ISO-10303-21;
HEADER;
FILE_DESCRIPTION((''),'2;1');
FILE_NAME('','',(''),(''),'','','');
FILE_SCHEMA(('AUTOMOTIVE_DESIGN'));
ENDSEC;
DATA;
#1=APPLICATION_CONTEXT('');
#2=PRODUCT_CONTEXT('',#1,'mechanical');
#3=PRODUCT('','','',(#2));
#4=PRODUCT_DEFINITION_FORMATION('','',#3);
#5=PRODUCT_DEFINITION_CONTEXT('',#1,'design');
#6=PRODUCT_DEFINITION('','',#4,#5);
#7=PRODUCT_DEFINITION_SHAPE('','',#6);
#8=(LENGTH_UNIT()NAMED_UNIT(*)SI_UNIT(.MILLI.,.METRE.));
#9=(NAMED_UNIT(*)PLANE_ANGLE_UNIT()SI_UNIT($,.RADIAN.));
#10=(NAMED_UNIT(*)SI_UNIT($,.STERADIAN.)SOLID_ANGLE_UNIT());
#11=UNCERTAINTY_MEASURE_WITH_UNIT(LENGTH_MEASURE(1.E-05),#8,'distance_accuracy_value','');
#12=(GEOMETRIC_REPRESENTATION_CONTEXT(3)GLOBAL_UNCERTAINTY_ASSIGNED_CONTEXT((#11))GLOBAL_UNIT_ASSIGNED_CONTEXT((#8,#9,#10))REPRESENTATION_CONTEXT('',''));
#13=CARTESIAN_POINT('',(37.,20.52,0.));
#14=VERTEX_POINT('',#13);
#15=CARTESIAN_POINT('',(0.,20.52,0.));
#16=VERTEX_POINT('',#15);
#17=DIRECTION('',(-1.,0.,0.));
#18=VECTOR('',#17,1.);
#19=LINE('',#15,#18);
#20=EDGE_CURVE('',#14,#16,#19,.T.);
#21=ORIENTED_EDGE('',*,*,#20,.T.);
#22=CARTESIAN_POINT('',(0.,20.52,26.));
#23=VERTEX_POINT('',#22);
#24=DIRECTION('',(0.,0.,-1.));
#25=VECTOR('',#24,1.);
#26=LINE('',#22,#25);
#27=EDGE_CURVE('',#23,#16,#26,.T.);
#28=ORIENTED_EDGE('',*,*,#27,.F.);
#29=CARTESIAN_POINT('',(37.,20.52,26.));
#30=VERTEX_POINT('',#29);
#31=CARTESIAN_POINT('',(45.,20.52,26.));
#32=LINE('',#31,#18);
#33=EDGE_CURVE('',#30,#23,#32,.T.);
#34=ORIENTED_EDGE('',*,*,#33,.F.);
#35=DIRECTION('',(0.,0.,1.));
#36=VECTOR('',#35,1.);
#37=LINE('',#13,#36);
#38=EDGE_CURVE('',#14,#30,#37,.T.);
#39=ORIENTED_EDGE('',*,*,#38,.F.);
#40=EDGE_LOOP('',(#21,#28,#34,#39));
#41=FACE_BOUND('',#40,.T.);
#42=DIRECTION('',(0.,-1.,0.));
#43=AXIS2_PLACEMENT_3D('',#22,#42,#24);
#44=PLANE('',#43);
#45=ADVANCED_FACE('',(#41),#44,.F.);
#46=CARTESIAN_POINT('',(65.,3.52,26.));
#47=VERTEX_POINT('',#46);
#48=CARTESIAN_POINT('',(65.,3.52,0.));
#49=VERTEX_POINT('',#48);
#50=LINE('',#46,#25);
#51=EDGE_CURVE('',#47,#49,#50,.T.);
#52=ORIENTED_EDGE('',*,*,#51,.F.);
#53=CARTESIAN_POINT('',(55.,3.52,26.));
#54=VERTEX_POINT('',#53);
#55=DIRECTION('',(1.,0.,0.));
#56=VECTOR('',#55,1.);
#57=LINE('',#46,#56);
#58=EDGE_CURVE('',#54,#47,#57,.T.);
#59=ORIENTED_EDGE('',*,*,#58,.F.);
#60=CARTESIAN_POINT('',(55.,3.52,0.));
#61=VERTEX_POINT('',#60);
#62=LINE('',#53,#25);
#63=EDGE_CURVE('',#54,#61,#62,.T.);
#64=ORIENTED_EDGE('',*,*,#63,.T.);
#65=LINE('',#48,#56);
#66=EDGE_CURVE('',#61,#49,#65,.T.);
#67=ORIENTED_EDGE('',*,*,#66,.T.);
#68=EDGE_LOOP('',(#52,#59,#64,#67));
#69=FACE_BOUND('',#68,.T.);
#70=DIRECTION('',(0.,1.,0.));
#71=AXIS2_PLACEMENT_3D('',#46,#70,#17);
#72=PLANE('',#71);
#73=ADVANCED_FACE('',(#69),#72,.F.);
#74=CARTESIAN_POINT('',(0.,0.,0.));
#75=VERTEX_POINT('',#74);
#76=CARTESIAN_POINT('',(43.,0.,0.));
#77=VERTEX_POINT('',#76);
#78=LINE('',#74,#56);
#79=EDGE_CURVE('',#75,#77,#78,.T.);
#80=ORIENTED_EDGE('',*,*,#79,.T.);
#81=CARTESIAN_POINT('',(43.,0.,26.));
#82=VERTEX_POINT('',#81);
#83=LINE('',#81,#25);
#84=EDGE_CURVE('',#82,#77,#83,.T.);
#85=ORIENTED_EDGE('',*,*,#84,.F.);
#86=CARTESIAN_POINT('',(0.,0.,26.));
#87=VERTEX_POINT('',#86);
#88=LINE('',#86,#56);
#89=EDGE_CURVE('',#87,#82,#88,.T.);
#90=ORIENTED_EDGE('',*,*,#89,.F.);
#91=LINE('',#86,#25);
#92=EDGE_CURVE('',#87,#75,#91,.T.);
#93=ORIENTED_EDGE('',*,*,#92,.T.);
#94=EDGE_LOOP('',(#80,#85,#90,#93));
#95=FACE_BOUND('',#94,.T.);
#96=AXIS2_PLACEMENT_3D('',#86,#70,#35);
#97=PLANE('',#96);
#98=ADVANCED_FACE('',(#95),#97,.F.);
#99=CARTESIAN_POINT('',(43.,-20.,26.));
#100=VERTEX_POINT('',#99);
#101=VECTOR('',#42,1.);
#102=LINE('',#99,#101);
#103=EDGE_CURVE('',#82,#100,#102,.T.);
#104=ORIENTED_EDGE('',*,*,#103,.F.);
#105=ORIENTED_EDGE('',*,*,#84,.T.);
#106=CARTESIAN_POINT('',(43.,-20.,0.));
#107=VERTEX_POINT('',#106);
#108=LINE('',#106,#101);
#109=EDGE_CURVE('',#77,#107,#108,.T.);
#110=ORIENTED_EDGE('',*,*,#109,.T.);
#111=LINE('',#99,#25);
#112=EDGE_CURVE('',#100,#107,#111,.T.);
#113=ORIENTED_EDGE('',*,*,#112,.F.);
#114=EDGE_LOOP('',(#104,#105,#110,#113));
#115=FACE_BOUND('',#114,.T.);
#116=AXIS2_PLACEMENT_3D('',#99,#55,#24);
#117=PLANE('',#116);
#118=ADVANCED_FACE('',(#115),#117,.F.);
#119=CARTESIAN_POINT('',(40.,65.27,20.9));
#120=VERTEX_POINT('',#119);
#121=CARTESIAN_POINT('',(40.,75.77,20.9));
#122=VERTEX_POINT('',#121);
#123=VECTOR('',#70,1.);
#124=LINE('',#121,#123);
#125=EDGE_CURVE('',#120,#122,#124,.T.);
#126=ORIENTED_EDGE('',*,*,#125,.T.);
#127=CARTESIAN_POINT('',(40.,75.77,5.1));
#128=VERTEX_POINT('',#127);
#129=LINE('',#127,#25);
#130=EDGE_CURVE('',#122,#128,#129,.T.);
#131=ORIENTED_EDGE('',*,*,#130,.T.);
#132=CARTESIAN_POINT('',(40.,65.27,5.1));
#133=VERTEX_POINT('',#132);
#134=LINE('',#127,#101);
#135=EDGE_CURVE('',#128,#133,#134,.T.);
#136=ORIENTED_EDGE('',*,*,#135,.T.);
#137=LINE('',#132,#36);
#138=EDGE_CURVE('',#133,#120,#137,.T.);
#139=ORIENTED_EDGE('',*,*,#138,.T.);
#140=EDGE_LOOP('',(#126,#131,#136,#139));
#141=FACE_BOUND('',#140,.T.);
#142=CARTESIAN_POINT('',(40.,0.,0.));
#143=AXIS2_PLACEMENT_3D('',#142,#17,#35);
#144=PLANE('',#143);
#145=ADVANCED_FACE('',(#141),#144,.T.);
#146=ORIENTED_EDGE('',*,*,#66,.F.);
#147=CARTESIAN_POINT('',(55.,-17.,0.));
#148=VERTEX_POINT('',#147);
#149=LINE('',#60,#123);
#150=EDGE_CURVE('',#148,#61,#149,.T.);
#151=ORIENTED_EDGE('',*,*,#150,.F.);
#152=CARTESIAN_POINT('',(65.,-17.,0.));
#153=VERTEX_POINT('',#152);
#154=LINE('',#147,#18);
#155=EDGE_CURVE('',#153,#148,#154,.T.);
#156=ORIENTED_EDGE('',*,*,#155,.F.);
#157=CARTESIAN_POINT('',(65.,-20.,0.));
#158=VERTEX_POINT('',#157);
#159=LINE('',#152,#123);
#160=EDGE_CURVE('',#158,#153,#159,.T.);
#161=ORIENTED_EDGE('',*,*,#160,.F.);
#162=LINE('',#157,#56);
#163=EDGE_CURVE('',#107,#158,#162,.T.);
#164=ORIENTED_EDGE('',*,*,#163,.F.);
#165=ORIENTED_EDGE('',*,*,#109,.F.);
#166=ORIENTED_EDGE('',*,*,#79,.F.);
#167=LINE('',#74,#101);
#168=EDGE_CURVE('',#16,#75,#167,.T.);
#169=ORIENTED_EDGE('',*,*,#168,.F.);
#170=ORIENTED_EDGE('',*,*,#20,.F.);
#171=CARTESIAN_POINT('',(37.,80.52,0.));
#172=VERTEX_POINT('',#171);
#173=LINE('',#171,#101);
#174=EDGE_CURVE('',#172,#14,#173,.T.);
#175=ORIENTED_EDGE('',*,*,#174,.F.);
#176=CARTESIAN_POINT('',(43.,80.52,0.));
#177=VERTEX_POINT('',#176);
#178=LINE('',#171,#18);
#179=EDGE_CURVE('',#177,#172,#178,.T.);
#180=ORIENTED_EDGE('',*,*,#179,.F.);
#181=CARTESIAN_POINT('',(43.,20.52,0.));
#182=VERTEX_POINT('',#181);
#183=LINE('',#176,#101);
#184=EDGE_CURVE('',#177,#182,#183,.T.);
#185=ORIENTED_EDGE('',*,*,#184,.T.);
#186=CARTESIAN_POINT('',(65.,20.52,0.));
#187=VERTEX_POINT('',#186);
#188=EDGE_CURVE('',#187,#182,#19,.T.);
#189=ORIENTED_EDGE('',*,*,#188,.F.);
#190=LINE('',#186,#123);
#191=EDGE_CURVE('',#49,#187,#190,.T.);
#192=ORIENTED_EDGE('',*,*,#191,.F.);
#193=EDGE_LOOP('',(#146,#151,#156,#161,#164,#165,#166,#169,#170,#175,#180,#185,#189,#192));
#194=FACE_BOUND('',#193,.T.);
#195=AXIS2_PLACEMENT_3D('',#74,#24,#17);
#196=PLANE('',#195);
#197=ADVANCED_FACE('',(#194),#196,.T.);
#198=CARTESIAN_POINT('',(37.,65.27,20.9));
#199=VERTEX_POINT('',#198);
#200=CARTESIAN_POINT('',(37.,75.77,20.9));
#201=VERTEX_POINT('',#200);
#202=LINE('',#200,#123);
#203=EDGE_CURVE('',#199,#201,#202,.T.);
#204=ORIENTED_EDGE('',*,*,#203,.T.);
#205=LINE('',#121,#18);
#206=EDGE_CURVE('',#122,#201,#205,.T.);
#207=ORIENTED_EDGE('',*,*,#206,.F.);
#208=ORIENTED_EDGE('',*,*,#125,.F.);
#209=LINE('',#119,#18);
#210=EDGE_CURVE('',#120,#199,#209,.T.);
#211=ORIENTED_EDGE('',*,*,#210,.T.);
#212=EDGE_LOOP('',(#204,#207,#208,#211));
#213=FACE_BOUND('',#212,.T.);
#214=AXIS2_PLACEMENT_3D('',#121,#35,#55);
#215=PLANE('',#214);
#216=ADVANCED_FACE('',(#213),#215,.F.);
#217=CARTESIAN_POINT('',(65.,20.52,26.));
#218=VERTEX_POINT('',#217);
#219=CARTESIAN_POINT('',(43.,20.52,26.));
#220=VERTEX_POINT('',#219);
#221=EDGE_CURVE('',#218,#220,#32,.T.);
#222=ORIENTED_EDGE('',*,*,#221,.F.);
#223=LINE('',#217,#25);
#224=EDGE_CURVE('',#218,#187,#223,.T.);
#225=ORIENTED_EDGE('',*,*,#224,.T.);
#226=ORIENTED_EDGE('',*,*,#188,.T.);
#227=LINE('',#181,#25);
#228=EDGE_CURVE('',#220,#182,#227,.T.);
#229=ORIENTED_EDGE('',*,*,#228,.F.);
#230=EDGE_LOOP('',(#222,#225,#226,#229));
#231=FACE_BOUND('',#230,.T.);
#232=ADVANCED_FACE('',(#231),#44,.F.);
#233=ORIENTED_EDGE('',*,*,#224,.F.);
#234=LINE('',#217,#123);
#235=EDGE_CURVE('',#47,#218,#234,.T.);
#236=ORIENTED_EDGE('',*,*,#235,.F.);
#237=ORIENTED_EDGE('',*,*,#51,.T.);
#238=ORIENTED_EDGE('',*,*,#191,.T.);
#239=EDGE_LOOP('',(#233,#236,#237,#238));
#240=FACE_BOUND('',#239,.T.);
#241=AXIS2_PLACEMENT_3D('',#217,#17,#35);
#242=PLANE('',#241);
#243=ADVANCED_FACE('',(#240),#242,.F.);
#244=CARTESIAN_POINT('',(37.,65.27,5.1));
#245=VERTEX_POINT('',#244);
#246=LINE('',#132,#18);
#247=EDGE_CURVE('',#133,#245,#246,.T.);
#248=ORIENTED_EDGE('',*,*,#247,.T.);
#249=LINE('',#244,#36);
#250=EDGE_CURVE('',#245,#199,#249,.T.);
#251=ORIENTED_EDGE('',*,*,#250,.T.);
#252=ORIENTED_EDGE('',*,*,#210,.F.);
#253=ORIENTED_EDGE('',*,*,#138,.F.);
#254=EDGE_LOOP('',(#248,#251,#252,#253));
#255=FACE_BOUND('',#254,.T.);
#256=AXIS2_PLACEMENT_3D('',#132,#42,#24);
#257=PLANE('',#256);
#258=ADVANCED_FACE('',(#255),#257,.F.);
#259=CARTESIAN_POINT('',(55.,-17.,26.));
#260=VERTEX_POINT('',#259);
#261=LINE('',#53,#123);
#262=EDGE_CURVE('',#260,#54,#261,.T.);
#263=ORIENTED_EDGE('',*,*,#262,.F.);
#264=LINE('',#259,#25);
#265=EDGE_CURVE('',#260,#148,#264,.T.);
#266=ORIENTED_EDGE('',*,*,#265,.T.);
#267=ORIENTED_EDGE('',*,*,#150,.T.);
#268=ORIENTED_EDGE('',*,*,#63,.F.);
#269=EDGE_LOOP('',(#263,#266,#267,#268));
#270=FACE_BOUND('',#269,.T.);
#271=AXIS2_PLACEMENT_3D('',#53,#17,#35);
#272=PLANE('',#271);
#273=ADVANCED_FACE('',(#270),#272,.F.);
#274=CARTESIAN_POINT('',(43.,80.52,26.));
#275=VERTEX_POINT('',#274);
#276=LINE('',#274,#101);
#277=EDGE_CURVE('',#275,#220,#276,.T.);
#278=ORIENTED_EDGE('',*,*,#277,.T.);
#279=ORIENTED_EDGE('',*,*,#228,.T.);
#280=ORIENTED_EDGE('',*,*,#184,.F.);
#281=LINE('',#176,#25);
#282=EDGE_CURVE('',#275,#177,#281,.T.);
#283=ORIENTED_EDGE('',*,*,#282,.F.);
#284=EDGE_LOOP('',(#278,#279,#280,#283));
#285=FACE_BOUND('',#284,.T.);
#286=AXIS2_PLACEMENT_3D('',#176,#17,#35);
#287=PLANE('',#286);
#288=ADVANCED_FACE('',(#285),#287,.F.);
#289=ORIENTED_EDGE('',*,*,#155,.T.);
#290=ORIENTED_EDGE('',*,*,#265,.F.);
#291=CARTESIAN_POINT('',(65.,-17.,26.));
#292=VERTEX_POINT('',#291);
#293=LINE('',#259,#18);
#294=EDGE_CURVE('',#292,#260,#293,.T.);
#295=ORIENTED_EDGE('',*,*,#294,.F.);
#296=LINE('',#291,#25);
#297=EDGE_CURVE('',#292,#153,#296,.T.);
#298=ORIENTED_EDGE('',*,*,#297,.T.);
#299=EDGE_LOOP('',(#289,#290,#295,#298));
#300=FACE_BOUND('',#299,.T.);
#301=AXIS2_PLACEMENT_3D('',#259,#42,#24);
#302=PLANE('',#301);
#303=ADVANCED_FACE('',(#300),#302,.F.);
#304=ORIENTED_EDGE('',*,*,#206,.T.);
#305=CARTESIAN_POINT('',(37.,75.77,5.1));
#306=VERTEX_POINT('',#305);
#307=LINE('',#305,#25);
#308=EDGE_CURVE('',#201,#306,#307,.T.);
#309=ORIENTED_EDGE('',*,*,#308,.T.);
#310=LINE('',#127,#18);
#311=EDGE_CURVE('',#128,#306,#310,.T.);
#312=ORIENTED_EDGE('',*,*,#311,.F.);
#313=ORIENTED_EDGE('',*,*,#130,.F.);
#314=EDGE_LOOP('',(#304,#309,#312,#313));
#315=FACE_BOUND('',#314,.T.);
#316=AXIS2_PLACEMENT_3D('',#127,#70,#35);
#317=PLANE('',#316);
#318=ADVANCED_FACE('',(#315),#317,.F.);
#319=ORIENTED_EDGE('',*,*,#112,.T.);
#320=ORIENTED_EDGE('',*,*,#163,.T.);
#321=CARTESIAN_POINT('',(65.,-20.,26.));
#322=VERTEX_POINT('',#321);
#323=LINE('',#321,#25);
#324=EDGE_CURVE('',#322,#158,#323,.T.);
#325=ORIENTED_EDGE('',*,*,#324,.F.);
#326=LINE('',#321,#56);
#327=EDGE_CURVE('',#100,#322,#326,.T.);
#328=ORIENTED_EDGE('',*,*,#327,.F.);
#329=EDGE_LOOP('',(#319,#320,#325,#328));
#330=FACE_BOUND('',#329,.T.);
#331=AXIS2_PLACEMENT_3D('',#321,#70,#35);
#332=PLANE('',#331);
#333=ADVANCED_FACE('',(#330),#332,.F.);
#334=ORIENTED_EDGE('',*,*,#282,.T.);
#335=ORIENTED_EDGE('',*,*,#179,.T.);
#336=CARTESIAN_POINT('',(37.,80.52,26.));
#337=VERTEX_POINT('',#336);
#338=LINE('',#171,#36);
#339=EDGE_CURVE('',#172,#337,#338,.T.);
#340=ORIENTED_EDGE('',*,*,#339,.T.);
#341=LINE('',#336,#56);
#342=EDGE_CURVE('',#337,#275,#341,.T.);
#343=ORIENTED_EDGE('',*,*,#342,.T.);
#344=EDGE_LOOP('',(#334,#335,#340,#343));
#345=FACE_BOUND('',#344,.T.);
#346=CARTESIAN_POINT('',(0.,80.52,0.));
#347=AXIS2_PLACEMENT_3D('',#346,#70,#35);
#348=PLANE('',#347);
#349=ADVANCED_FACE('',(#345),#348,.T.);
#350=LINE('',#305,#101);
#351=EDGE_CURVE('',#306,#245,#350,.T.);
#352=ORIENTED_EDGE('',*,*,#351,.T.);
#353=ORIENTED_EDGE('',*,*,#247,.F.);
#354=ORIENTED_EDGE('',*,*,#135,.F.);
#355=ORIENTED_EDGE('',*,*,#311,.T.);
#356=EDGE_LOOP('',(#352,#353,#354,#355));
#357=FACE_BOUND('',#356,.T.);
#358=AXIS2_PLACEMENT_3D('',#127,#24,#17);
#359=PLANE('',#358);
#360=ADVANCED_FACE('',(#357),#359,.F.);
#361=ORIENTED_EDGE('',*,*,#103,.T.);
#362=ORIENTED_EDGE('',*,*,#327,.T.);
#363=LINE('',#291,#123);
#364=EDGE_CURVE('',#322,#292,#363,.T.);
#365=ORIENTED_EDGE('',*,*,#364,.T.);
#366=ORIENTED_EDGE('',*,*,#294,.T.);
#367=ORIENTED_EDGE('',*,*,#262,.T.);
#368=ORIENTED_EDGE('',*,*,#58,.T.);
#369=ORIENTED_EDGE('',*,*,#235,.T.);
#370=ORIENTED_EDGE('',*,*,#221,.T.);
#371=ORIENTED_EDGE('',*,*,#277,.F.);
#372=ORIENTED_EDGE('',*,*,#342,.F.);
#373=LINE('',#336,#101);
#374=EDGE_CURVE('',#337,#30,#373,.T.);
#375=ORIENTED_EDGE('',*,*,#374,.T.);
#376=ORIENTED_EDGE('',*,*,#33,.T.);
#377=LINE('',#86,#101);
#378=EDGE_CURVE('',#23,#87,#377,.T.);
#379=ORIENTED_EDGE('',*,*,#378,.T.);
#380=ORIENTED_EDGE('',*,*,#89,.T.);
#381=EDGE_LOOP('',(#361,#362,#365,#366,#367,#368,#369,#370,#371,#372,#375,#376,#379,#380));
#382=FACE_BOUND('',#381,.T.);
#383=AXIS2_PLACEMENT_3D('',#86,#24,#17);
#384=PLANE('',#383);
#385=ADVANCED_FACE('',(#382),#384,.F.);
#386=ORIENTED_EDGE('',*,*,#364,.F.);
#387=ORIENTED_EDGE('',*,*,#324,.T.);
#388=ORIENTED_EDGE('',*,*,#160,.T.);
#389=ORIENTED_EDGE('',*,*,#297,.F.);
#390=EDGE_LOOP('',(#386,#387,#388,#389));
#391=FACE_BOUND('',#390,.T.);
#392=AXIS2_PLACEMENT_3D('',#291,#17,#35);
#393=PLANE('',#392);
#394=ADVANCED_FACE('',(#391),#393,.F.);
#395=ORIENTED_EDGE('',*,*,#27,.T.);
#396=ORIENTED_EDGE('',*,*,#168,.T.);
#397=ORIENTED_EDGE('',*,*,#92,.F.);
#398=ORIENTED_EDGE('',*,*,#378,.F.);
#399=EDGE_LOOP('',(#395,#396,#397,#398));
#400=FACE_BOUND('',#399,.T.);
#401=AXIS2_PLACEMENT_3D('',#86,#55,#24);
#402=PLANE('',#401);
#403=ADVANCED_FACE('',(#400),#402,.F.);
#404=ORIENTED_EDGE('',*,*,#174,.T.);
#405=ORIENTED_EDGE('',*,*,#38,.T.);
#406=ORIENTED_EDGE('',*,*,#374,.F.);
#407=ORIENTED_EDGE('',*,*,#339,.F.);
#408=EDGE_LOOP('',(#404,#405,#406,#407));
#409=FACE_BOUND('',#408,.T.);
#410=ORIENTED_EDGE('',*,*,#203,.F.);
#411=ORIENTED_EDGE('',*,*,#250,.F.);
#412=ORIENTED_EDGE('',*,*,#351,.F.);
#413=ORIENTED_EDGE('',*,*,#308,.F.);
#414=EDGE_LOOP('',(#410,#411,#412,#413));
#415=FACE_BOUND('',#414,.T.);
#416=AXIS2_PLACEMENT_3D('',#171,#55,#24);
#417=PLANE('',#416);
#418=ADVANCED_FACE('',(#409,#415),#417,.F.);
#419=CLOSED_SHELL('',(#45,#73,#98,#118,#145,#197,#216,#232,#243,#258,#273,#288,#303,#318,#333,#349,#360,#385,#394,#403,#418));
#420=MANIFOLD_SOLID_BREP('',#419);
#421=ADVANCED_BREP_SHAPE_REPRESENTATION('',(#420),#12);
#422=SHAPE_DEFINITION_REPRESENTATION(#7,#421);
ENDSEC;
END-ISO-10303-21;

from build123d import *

# Parameters (mm, degrees)
BOSS_EXTRUDE1_DEPTH = 26
SKETCH2_W           = 6
SKETCH2_H           = 26
BOSS_EXTRUDE2_DEPTH = 60
SKETCH3_W           = 15.8
SKETCH3_H           = 10.5
CUT_EXTRUDE1_DEPTH  = 3


with BuildPart() as part:
    # Sketch1 → Boss-Extrude1 (new body)
    with BuildSketch(Plane.XY):
        Polygon((45, 20.52), (65, 20.52), (65, 3.52), (55, 3.52), (55, -17), (65, -17), (65, -20), (43, -20), (43, 0), (0, 0), (0, 20.52), align=None)
    extrude(amount=BOSS_EXTRUDE1_DEPTH)

    # Sketch2 → Boss-Extrude2 (add)
    with BuildSketch(Plane(origin=(0, 20.52, 0), x_dir=(1, 0, 0), z_dir=(0, 1, 0))):
        with Locations((40, -13)):
            Rectangle(SKETCH2_W, SKETCH2_H)
    extrude(amount=BOSS_EXTRUDE2_DEPTH)

    # Sketch3 → Cut-Extrude1 (cut)
    with BuildSketch(Plane.ZY.offset(-37)):
        with Locations((13, 70.52)):
            Rectangle(SKETCH3_W, SKETCH3_H)
    extrude(amount=-CUT_EXTRUDE1_DEPTH, mode=Mode.SUBTRACT)


solid = part.part
